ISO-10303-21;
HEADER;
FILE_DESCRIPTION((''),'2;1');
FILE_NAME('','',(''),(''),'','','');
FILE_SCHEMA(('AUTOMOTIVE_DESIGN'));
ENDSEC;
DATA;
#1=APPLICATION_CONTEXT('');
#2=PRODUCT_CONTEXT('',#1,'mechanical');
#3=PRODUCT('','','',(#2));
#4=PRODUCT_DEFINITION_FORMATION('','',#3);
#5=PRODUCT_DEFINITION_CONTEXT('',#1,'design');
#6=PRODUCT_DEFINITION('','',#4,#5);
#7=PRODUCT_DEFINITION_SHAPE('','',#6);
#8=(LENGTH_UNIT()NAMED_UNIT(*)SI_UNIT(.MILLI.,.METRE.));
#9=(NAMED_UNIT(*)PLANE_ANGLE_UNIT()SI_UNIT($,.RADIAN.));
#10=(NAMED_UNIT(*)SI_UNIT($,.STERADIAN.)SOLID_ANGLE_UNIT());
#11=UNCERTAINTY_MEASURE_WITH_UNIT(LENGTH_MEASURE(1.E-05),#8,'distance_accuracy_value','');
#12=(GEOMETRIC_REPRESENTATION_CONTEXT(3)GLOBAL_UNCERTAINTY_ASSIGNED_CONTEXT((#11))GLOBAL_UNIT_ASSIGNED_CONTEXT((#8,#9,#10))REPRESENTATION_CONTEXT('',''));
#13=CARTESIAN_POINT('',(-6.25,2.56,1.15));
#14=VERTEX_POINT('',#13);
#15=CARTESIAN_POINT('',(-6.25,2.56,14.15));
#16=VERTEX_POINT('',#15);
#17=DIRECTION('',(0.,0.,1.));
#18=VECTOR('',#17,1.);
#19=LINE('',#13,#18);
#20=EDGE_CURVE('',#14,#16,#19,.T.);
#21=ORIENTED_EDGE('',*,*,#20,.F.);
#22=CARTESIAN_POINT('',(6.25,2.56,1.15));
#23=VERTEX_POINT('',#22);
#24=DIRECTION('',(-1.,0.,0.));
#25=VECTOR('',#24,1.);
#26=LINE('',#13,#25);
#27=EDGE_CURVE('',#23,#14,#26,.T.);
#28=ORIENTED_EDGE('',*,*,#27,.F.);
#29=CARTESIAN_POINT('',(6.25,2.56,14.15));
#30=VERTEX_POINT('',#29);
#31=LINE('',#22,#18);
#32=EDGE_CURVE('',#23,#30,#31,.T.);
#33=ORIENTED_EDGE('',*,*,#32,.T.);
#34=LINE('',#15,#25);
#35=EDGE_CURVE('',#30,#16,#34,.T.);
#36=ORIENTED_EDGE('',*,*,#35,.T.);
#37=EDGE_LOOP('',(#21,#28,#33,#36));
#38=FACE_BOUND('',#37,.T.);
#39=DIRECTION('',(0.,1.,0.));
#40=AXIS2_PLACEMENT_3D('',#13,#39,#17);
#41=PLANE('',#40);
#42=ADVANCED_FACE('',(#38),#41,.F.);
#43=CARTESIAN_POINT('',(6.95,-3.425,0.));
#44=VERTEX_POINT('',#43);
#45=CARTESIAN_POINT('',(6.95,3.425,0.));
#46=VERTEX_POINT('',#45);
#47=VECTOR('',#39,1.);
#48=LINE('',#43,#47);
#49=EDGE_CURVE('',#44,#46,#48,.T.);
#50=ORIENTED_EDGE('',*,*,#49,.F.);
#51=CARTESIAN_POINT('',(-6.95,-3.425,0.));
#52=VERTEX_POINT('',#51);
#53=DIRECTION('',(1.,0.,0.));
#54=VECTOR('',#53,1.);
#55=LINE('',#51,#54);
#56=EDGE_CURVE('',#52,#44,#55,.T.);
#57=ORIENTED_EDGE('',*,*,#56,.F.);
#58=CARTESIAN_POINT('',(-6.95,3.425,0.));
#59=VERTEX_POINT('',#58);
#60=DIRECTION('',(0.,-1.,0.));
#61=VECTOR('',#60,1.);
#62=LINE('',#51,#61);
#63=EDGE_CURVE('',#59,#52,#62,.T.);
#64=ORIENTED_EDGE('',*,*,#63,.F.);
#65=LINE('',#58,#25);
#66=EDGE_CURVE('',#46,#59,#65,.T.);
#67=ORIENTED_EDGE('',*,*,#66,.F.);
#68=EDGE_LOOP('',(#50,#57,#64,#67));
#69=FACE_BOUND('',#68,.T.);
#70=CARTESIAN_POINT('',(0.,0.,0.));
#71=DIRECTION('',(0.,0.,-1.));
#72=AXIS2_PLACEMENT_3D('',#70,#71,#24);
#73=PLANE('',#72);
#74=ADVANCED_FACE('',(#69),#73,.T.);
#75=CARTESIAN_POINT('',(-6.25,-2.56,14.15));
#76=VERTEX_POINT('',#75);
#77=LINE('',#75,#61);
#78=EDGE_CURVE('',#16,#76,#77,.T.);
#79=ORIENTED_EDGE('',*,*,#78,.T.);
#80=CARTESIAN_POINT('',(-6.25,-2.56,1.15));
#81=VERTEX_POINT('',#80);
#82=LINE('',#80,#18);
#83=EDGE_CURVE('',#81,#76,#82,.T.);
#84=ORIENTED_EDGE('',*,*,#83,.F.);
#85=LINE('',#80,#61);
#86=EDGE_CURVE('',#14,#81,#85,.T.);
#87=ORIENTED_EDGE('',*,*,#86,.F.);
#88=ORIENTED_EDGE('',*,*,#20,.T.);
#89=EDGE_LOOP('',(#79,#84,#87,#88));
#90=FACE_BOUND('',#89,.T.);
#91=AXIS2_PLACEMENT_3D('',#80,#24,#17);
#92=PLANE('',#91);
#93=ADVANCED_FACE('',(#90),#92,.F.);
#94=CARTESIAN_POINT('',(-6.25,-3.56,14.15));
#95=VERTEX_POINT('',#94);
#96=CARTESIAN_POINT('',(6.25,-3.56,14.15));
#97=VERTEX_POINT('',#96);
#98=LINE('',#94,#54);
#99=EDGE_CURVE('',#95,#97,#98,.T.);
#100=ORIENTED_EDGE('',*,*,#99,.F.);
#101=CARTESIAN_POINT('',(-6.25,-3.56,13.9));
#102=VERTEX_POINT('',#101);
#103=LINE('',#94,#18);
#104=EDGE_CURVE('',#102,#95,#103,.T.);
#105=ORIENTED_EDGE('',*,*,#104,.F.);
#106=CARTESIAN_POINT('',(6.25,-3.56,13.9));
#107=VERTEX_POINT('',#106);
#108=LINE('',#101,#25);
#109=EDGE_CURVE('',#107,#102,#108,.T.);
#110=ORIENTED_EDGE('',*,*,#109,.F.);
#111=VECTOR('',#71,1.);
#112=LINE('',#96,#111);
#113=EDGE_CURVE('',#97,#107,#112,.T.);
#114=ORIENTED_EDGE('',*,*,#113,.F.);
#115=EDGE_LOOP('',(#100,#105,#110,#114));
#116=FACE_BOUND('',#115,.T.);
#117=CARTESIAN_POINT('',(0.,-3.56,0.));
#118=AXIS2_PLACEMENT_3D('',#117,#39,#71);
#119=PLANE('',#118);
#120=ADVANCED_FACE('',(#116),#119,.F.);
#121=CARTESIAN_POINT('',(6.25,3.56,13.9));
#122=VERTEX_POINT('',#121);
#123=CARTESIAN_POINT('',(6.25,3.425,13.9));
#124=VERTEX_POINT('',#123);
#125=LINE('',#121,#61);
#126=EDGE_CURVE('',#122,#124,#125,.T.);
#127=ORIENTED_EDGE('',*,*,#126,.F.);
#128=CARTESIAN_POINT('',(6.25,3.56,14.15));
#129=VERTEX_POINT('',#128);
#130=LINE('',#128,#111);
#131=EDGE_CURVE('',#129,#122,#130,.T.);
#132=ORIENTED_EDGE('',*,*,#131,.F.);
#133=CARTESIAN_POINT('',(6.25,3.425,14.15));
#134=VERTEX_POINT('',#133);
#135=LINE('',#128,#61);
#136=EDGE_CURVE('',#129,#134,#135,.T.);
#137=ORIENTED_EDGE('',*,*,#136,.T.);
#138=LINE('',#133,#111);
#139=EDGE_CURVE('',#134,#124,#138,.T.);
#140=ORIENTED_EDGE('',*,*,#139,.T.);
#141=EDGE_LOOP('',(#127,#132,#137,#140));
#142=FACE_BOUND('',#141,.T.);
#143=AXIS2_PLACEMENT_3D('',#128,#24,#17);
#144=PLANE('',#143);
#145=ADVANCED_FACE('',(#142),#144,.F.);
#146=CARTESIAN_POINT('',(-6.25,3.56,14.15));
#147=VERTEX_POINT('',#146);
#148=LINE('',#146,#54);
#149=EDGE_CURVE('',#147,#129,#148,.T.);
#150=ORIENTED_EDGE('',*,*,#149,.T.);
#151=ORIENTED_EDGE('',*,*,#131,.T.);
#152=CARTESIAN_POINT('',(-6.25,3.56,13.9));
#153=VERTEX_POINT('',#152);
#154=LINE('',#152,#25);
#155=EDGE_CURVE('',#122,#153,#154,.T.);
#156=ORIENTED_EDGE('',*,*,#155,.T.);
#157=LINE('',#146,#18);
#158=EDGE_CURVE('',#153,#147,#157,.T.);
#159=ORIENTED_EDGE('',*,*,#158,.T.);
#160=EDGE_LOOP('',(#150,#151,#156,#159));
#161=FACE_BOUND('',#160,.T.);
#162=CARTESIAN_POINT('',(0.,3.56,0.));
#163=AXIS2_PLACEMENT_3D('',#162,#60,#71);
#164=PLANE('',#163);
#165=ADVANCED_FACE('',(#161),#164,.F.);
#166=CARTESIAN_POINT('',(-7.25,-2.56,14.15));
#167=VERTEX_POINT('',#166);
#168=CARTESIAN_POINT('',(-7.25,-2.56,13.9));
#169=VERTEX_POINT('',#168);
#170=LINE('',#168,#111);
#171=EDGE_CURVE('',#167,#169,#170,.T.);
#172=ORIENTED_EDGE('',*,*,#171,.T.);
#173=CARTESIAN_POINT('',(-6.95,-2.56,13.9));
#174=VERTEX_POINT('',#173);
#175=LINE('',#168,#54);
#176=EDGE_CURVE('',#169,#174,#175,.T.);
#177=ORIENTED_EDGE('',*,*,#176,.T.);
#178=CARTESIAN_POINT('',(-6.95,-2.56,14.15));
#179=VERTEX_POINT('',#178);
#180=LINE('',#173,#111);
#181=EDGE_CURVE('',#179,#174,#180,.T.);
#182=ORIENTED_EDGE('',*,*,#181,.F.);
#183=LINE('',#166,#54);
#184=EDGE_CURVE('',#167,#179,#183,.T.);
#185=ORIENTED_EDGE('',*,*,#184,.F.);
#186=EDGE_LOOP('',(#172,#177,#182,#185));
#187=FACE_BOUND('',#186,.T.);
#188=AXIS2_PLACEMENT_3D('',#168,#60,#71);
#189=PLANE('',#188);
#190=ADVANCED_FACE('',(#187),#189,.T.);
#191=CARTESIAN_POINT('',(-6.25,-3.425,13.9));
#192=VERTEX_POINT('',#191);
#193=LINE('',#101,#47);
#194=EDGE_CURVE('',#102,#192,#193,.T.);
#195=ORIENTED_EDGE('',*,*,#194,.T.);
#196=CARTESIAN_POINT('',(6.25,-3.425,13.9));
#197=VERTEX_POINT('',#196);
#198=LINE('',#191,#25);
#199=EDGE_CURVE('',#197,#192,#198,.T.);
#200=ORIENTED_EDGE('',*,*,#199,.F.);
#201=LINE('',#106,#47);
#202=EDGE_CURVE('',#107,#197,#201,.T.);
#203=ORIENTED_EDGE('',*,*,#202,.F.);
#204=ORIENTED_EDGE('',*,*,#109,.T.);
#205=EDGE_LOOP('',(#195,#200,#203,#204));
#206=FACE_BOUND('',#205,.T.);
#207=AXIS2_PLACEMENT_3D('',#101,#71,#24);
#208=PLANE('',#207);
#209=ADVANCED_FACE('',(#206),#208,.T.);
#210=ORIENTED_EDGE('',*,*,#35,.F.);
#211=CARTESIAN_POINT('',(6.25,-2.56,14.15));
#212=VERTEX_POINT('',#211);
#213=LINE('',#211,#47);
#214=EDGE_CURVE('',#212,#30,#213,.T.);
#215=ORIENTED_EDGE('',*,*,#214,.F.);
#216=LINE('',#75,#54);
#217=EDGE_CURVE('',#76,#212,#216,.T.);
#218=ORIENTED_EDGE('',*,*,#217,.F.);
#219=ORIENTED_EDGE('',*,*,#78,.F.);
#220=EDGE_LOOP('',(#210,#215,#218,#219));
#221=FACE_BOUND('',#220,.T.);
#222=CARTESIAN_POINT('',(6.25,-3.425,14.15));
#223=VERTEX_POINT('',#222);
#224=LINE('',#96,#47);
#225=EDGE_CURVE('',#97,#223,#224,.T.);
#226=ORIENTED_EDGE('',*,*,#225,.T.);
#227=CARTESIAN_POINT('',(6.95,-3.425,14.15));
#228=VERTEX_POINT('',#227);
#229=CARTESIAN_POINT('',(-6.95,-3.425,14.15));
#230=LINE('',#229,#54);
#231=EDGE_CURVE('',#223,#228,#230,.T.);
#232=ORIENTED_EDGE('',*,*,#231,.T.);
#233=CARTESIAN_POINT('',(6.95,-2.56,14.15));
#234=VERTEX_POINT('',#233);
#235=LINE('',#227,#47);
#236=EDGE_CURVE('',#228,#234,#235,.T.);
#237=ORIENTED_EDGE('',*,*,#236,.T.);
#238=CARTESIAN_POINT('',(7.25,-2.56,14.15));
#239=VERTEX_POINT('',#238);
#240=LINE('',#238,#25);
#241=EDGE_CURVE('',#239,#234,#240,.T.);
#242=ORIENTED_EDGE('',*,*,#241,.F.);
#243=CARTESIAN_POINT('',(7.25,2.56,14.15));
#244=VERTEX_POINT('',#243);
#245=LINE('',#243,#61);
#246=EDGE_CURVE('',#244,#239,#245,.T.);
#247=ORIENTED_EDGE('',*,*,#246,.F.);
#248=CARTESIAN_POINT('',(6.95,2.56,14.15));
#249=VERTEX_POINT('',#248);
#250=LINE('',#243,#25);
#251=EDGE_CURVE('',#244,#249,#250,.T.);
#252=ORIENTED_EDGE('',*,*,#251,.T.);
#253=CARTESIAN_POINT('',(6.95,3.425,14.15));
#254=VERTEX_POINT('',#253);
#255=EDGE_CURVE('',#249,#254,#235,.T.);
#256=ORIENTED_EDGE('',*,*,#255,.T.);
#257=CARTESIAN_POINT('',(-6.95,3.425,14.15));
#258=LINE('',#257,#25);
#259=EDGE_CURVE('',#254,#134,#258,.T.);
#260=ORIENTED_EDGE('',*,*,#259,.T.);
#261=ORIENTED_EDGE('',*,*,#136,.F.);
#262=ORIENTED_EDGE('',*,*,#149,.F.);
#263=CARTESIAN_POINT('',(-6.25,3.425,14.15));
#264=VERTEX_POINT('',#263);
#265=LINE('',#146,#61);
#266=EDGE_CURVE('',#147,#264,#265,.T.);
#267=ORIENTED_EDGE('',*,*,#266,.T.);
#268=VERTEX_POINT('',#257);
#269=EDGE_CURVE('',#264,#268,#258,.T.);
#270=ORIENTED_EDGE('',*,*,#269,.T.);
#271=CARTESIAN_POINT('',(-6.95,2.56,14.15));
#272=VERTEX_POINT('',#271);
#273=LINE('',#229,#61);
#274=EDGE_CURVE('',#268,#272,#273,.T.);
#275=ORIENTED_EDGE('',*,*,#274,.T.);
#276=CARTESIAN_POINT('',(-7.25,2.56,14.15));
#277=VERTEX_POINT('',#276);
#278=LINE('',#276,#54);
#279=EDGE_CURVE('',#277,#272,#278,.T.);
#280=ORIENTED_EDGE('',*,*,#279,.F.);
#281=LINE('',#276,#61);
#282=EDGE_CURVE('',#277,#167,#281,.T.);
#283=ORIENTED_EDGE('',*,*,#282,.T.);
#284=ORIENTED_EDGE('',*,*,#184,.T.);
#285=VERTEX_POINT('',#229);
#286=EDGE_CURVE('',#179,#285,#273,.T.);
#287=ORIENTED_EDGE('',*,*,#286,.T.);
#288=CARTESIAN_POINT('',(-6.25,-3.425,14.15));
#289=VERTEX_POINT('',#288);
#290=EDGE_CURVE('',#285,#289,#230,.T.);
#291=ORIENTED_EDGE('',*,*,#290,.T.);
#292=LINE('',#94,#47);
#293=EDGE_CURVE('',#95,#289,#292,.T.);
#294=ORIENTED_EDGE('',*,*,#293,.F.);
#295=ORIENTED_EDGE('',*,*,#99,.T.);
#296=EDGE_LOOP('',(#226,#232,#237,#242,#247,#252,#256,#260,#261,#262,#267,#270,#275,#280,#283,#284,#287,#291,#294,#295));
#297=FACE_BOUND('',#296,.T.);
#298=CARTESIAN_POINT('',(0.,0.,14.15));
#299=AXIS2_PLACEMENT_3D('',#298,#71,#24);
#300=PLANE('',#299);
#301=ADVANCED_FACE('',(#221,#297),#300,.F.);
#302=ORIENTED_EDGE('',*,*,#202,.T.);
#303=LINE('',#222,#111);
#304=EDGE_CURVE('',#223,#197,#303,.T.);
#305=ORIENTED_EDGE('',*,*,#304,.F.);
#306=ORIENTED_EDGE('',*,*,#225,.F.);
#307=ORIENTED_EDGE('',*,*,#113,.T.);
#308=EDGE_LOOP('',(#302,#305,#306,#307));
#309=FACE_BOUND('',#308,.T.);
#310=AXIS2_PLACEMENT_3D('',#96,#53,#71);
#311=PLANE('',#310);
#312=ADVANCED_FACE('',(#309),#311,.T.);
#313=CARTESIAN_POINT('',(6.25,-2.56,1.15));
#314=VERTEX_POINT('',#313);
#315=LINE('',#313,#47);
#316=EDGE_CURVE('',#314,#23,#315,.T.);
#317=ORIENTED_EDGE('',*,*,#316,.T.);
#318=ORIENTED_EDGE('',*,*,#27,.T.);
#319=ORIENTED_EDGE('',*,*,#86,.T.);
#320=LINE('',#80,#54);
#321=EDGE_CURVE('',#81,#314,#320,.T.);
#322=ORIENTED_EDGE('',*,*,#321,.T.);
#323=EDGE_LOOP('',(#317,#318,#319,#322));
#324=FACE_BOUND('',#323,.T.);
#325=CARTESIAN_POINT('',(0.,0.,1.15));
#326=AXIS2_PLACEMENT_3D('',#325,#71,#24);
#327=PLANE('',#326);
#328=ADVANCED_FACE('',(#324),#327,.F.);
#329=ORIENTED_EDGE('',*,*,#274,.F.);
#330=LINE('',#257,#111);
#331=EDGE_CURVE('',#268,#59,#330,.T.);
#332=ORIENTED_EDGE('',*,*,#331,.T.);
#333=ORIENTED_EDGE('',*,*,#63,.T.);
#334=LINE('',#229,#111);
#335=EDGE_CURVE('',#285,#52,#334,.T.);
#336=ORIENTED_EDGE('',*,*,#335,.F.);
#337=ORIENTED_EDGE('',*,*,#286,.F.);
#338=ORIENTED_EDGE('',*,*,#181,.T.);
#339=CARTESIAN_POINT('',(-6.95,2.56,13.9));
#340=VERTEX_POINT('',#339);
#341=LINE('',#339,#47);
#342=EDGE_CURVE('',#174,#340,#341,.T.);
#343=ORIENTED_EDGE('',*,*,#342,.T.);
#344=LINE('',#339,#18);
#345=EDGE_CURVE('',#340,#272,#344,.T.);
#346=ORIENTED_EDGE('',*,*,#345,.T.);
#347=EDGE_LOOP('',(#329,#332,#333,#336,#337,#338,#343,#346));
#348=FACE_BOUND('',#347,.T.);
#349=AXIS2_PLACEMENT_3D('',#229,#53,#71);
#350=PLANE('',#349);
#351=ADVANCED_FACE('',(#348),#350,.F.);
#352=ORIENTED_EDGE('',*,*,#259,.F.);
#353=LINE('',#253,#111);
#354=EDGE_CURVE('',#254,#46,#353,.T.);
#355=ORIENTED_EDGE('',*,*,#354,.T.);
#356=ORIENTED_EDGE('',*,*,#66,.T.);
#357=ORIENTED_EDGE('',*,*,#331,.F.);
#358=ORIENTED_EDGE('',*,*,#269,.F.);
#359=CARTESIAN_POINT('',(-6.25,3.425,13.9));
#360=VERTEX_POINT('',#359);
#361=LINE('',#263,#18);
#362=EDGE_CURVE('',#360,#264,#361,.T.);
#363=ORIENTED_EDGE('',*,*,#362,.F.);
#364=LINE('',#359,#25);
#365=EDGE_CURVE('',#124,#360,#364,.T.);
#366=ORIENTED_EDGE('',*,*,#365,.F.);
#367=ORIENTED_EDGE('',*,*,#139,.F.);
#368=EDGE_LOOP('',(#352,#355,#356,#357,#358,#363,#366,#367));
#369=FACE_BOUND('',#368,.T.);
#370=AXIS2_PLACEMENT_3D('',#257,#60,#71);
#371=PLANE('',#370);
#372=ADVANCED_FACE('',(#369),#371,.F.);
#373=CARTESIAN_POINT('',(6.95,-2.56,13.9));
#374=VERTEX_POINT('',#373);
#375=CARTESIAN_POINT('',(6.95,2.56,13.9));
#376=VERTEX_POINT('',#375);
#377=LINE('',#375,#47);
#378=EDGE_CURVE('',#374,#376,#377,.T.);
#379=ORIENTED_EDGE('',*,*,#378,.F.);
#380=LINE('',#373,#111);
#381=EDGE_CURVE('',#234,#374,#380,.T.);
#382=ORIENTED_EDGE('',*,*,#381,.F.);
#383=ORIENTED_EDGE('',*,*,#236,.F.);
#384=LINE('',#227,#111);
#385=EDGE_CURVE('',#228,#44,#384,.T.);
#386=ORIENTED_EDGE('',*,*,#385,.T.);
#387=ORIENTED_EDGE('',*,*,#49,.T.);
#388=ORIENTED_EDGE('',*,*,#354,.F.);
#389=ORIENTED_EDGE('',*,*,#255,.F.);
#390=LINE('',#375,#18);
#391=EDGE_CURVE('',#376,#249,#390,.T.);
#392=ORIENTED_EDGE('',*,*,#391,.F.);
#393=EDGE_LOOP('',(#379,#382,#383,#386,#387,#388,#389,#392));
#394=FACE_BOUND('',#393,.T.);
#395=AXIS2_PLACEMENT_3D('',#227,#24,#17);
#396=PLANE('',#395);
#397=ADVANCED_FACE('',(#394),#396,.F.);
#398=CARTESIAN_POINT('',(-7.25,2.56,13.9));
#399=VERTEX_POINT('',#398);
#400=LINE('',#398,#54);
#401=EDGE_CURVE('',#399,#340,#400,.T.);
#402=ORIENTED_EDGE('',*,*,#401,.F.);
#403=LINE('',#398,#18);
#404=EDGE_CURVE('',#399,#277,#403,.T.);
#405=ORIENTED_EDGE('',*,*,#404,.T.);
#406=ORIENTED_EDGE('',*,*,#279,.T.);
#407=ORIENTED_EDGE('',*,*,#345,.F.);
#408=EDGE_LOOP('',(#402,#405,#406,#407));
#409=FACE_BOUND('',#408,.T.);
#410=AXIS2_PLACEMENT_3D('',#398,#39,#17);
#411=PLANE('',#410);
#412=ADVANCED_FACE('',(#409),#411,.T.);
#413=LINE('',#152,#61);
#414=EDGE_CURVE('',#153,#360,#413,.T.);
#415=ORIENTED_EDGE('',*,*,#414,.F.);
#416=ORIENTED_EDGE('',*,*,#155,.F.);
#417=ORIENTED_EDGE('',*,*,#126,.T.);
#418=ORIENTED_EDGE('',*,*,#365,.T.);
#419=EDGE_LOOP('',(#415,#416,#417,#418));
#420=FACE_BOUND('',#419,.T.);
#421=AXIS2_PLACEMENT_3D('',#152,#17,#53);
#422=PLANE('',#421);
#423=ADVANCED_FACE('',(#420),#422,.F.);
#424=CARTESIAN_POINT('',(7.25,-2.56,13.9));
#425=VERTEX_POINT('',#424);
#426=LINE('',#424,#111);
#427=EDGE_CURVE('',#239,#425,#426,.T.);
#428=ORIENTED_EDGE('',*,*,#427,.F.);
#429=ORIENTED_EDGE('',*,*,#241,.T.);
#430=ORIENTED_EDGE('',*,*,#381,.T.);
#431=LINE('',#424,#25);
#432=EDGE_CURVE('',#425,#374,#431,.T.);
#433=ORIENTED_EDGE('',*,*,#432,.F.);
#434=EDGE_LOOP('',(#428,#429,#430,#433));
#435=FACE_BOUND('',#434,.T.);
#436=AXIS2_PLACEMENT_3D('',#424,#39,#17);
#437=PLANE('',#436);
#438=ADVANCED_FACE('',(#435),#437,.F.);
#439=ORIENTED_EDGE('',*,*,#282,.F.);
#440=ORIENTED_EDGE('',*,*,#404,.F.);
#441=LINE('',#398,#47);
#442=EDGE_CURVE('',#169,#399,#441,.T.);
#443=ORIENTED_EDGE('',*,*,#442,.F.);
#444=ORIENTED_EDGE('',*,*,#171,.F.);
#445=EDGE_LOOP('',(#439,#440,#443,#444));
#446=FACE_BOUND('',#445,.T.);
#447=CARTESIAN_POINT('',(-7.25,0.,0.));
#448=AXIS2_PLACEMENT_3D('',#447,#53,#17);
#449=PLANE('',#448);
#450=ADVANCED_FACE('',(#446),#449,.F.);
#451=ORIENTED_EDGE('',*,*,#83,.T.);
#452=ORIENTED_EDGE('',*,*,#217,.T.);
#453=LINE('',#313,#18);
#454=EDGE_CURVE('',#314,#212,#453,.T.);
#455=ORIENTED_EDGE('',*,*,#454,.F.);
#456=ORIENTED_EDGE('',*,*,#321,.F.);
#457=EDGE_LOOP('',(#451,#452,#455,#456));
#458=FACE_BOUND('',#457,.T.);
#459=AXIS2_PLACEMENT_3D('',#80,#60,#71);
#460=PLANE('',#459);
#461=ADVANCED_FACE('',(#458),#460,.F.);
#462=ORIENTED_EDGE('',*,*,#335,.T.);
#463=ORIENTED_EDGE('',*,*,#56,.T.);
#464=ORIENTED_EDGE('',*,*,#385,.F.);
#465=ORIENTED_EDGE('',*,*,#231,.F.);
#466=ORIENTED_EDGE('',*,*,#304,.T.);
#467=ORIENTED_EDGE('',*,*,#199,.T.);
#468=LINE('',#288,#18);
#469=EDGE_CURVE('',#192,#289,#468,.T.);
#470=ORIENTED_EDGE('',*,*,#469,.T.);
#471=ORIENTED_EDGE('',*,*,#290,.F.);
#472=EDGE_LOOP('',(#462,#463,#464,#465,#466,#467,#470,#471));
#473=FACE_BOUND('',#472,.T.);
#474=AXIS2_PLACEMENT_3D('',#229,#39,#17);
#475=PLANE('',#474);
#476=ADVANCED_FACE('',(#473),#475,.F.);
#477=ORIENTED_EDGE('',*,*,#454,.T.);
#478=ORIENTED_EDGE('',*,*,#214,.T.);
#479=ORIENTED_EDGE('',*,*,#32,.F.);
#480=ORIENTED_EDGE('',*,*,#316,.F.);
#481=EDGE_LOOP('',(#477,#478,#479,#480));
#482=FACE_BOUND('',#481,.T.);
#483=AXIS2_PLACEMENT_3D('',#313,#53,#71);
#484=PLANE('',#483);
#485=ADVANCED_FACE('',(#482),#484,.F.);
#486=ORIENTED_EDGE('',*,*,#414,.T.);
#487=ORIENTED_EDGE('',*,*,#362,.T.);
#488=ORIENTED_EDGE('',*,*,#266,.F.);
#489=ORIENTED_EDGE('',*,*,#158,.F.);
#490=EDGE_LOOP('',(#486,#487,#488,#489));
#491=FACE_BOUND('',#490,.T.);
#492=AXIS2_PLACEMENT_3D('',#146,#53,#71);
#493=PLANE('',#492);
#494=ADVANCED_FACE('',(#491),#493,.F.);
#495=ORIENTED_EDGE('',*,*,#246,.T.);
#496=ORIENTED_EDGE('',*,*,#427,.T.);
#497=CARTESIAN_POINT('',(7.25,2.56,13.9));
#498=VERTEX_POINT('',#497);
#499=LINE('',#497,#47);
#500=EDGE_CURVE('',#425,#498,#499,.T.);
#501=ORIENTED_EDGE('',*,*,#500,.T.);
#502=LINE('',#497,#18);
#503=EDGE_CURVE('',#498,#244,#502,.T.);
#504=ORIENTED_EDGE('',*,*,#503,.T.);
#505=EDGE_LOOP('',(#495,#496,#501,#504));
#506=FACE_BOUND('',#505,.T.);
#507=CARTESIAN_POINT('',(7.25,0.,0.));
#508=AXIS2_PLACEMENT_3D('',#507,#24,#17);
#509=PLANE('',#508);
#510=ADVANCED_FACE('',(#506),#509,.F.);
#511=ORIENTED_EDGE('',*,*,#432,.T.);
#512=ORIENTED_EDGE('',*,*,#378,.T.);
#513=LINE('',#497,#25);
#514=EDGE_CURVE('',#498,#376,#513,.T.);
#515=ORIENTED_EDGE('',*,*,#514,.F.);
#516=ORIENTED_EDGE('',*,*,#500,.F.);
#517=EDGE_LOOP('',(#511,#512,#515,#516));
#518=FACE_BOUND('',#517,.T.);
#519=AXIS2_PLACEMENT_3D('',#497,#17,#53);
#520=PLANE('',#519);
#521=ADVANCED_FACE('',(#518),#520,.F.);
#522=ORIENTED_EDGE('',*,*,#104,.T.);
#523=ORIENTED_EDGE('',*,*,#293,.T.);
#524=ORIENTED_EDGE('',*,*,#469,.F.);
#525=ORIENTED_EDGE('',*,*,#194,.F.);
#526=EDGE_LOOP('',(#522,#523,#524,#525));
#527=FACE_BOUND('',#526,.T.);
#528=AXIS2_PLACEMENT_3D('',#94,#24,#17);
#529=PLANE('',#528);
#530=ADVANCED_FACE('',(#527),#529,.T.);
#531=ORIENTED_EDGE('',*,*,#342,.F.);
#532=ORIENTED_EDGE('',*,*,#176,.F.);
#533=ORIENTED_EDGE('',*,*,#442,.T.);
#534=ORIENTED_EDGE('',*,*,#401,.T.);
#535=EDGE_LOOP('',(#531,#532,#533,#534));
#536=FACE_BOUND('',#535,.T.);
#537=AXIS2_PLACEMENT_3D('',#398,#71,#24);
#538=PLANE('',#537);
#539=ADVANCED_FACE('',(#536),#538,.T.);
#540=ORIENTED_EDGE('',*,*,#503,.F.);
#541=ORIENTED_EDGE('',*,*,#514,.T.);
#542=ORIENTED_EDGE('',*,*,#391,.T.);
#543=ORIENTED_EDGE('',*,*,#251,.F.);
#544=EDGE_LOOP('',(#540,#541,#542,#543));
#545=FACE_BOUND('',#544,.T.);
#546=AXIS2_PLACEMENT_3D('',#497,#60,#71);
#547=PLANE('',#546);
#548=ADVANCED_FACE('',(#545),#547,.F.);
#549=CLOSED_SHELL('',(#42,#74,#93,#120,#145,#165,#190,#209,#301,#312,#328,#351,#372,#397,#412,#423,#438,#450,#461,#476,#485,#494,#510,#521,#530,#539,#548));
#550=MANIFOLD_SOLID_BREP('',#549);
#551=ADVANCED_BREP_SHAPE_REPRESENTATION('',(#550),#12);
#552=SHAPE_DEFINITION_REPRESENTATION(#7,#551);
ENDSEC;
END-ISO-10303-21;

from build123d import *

# Parameters (mm, degrees)
SKETCH1_W           = 13.9
SKETCH1_H           = 6.85
BOSS_EXTRUDE1_DEPTH = 14.15
SKETCH2_W           = 12.5
SKETCH2_H           = 5.12
CUT_EXTRUDE1_DEPTH  = 13
SKETCH4_W           = 12.5
SKETCH4_H           = 0.25
BOSS_EXTRUDE2_DEPTH = 0.135
SKETCH5_W           = 0.25
SKETCH5_H           = 5.12
BOSS_EXTRUDE3_DEPTH = 0.3


with BuildPart() as part:
    # Sketch1 → Boss-Extrude1 (new body)
    with BuildSketch(Plane.XY):
        Rectangle(SKETCH1_W, SKETCH1_H)
    extrude(amount=BOSS_EXTRUDE1_DEPTH)

    # Sketch2 → Cut-Extrude1 (cut)
    with BuildSketch(Plane.XY.offset(14.15)):
        Rectangle(SKETCH2_W, SKETCH2_H)
    extrude(amount=-CUT_EXTRUDE1_DEPTH, mode=Mode.SUBTRACT)

    # Sketch4 → Boss-Extrude2 (add)
    with BuildSketch(Plane(origin=(0, 3.425, 0), x_dir=(1, 0, 0), z_dir=(0, 1, 0))):
        with Locations((0, -14.025)):
            Rectangle(SKETCH4_W, SKETCH4_H)
    boss_extrude2 = extrude(amount=BOSS_EXTRUDE2_DEPTH)

    # Mirror1: Boss-Extrude2 across plane
    add(boss_extrude2.mirror(Plane.ZX))

    # Sketch5 → Boss-Extrude3 (add)
    with BuildSketch(Plane(origin=(6.95, 0, 0), x_dir=(0, 0, -1), z_dir=(1, 0, 0))):
        with Locations((-14.025, 0)):
            Rectangle(SKETCH5_W, SKETCH5_H)
    boss_extrude3 = extrude(amount=BOSS_EXTRUDE3_DEPTH)

    # Mirror2: Boss-Extrude3 across plane
    add(boss_extrude3.mirror(Plane(origin=(0, 0, 0), x_dir=(0, 0, 1), z_dir=(1, 0, 0))))


solid = part.part
